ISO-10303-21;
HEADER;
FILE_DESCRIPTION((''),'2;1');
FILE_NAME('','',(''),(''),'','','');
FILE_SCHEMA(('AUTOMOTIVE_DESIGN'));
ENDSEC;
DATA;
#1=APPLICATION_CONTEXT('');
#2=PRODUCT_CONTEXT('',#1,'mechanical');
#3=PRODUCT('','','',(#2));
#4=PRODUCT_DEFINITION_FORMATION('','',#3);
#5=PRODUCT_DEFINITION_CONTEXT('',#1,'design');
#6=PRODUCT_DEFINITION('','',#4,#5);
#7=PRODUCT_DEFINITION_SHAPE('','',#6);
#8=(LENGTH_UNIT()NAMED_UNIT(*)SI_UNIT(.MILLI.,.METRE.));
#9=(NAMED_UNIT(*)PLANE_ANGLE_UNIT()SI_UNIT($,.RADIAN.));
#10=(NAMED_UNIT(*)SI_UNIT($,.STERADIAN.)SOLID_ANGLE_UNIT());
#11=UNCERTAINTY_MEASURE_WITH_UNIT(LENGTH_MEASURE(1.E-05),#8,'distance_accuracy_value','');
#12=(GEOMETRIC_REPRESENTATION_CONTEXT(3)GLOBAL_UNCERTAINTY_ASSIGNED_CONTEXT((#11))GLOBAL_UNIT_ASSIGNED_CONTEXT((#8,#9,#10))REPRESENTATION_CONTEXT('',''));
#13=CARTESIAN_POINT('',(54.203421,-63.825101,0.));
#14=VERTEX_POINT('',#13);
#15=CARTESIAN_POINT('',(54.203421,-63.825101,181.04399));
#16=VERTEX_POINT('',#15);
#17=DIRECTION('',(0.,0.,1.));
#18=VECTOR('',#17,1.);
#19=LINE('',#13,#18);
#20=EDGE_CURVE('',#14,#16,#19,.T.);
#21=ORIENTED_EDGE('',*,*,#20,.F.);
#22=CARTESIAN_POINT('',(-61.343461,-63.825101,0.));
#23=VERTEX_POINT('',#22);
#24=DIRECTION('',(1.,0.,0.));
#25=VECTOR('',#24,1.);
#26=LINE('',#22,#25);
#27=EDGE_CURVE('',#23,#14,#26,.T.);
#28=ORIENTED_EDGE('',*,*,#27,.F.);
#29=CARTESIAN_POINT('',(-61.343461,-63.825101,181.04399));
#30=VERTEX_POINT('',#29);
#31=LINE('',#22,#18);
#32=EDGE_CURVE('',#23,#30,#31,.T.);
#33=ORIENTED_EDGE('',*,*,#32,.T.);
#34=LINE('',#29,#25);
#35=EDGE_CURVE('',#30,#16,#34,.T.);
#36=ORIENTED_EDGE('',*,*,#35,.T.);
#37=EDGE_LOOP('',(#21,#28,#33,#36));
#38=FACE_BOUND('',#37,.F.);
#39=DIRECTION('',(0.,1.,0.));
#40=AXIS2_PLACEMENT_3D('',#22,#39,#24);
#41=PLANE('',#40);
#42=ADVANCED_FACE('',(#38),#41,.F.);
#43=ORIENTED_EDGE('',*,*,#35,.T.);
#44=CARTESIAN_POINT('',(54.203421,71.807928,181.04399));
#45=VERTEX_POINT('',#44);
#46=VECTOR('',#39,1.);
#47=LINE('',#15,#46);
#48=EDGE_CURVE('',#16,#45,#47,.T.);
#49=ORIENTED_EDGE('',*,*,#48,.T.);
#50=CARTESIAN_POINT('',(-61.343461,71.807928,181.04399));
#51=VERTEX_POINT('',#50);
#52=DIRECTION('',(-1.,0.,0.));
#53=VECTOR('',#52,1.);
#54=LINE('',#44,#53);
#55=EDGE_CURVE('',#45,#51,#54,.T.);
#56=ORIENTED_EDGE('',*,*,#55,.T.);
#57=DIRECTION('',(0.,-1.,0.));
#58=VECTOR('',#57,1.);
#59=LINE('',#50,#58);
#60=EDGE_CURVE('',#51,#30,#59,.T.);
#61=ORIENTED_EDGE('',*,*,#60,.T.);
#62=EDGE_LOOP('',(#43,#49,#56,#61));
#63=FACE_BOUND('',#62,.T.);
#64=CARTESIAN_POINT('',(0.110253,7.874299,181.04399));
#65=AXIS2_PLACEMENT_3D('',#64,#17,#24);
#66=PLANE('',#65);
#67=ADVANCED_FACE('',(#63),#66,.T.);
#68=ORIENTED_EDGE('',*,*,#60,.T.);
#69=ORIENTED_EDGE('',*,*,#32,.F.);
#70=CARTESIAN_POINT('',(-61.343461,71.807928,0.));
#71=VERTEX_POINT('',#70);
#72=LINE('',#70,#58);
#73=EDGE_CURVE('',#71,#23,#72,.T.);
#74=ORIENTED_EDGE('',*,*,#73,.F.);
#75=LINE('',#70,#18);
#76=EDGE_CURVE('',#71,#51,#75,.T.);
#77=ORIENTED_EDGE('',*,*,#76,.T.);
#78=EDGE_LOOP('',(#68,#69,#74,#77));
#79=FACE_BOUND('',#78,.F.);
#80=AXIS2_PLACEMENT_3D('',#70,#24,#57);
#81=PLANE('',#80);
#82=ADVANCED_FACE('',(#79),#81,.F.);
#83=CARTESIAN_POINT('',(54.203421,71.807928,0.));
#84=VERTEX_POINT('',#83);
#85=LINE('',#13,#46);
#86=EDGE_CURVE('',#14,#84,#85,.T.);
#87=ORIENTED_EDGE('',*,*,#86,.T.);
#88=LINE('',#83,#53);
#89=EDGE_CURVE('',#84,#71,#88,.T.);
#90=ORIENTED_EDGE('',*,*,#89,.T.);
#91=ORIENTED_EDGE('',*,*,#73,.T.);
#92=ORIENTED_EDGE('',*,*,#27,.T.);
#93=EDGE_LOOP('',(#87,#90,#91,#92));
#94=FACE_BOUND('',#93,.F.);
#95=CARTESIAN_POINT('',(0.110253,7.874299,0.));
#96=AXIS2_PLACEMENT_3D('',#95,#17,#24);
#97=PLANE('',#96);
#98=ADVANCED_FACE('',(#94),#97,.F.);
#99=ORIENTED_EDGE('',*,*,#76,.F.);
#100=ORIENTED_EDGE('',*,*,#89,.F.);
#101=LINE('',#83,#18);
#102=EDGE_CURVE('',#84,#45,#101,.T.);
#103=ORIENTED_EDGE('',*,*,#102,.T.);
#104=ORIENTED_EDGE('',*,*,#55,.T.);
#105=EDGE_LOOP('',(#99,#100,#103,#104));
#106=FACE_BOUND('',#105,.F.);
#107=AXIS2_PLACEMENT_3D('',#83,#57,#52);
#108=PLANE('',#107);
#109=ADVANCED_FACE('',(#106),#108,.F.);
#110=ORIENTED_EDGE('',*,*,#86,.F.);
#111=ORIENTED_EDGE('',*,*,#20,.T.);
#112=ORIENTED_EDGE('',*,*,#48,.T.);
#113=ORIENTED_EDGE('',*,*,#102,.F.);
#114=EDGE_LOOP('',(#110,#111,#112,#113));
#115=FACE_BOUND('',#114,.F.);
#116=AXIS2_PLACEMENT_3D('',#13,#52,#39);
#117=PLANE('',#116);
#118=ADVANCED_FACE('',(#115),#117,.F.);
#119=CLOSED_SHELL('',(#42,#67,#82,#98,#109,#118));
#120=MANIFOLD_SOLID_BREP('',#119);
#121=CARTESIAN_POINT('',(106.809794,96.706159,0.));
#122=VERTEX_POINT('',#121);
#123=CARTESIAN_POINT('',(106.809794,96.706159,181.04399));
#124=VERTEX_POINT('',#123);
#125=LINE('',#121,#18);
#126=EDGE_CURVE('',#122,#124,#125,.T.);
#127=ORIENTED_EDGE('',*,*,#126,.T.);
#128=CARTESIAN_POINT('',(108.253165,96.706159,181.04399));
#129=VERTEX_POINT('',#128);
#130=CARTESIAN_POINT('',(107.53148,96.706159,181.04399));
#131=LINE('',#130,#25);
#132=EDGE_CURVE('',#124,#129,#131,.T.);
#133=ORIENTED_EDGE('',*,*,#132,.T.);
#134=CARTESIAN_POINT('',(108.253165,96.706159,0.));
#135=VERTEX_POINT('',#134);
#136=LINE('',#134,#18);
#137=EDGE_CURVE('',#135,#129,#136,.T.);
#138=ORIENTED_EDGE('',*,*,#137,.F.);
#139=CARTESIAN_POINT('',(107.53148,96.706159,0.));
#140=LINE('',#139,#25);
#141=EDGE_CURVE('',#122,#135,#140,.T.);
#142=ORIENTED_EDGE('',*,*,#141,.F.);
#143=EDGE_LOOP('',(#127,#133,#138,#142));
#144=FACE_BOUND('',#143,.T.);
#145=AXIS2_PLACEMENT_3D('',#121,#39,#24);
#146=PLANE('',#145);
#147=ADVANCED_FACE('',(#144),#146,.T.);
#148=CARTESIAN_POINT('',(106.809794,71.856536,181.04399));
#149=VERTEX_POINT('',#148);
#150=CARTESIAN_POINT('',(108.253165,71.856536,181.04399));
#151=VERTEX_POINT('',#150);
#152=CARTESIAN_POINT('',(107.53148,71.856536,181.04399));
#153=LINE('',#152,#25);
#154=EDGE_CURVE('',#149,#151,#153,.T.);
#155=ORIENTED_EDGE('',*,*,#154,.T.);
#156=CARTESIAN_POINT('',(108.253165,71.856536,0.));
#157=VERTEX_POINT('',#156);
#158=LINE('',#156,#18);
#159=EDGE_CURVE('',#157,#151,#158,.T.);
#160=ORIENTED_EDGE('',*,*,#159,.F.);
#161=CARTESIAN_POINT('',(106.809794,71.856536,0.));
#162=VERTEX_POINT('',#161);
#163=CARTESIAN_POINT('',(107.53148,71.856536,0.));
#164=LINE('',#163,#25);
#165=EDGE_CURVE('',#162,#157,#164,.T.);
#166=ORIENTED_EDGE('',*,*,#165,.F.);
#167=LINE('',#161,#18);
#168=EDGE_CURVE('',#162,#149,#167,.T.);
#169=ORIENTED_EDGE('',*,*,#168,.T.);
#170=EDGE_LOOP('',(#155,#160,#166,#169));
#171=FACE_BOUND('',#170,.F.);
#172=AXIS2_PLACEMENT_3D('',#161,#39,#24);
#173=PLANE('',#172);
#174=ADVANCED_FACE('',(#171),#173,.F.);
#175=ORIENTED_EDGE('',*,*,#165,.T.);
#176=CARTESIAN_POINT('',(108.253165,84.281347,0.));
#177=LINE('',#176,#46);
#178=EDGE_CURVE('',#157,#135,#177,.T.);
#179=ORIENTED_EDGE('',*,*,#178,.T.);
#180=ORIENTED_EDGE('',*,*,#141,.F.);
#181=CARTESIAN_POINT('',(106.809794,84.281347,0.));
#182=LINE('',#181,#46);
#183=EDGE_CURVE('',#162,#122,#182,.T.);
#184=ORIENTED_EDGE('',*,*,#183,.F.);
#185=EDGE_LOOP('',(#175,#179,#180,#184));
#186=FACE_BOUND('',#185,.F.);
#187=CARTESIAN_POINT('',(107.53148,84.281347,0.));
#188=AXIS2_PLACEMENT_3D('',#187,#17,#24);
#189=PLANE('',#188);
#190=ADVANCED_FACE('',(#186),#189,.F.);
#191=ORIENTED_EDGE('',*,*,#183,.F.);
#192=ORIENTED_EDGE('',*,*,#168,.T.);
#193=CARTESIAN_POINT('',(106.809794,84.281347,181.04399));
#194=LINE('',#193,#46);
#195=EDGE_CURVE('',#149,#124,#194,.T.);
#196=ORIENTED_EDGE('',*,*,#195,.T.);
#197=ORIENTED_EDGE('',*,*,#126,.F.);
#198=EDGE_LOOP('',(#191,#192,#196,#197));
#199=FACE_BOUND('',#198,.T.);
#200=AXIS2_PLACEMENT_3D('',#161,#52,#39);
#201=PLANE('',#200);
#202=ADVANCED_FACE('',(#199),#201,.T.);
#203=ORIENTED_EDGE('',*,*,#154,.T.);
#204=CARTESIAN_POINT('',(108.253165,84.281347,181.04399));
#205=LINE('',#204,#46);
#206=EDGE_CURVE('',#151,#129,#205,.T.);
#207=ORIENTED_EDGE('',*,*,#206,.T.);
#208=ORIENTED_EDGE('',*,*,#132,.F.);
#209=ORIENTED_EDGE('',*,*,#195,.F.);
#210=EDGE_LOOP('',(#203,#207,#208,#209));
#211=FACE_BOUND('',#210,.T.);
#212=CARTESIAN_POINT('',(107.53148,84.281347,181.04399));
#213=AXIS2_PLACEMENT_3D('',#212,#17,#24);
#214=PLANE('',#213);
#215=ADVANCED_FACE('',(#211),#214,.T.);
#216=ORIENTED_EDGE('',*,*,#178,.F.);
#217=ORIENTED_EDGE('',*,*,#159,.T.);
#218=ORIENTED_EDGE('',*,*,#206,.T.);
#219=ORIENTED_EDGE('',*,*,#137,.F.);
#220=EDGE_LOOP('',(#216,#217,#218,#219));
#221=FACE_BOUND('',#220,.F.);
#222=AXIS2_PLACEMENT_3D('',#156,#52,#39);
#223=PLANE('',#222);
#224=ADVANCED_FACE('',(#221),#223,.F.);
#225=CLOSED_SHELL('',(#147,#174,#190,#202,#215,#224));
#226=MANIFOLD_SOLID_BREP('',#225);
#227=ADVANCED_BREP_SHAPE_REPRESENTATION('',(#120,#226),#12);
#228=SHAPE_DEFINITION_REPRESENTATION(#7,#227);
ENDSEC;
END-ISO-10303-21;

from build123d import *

# Parameters (mm, degrees)
F0_W     = 39.331988
F0_H     = 47.270558
F0_W_2   = 1.443371
F0_H_2   = 24.849623
F1_DEPTH = 181.04399


with BuildPart() as f1:
    # F0 (on Top) → F1 (new body)
    with BuildSketch(Plane.XY):
        Polygon((54.203421, -63.825101), (54.203421, 71.807928), (39.331988, 71.807928), (39.331988, 24.53737), (0, 24.53737), (0, 71.807928), (-61.343461, 71.807928), (-61.343461, -63.825101), align=None)
        with Locations((19.665994, 48.172649)):
            Rectangle(F0_W, F0_H)
        with Locations((107.53148, 84.281347)):
            Rectangle(F0_W_2, F0_H_2)
    extrude(amount=F1_DEPTH)


solid = f1.part
